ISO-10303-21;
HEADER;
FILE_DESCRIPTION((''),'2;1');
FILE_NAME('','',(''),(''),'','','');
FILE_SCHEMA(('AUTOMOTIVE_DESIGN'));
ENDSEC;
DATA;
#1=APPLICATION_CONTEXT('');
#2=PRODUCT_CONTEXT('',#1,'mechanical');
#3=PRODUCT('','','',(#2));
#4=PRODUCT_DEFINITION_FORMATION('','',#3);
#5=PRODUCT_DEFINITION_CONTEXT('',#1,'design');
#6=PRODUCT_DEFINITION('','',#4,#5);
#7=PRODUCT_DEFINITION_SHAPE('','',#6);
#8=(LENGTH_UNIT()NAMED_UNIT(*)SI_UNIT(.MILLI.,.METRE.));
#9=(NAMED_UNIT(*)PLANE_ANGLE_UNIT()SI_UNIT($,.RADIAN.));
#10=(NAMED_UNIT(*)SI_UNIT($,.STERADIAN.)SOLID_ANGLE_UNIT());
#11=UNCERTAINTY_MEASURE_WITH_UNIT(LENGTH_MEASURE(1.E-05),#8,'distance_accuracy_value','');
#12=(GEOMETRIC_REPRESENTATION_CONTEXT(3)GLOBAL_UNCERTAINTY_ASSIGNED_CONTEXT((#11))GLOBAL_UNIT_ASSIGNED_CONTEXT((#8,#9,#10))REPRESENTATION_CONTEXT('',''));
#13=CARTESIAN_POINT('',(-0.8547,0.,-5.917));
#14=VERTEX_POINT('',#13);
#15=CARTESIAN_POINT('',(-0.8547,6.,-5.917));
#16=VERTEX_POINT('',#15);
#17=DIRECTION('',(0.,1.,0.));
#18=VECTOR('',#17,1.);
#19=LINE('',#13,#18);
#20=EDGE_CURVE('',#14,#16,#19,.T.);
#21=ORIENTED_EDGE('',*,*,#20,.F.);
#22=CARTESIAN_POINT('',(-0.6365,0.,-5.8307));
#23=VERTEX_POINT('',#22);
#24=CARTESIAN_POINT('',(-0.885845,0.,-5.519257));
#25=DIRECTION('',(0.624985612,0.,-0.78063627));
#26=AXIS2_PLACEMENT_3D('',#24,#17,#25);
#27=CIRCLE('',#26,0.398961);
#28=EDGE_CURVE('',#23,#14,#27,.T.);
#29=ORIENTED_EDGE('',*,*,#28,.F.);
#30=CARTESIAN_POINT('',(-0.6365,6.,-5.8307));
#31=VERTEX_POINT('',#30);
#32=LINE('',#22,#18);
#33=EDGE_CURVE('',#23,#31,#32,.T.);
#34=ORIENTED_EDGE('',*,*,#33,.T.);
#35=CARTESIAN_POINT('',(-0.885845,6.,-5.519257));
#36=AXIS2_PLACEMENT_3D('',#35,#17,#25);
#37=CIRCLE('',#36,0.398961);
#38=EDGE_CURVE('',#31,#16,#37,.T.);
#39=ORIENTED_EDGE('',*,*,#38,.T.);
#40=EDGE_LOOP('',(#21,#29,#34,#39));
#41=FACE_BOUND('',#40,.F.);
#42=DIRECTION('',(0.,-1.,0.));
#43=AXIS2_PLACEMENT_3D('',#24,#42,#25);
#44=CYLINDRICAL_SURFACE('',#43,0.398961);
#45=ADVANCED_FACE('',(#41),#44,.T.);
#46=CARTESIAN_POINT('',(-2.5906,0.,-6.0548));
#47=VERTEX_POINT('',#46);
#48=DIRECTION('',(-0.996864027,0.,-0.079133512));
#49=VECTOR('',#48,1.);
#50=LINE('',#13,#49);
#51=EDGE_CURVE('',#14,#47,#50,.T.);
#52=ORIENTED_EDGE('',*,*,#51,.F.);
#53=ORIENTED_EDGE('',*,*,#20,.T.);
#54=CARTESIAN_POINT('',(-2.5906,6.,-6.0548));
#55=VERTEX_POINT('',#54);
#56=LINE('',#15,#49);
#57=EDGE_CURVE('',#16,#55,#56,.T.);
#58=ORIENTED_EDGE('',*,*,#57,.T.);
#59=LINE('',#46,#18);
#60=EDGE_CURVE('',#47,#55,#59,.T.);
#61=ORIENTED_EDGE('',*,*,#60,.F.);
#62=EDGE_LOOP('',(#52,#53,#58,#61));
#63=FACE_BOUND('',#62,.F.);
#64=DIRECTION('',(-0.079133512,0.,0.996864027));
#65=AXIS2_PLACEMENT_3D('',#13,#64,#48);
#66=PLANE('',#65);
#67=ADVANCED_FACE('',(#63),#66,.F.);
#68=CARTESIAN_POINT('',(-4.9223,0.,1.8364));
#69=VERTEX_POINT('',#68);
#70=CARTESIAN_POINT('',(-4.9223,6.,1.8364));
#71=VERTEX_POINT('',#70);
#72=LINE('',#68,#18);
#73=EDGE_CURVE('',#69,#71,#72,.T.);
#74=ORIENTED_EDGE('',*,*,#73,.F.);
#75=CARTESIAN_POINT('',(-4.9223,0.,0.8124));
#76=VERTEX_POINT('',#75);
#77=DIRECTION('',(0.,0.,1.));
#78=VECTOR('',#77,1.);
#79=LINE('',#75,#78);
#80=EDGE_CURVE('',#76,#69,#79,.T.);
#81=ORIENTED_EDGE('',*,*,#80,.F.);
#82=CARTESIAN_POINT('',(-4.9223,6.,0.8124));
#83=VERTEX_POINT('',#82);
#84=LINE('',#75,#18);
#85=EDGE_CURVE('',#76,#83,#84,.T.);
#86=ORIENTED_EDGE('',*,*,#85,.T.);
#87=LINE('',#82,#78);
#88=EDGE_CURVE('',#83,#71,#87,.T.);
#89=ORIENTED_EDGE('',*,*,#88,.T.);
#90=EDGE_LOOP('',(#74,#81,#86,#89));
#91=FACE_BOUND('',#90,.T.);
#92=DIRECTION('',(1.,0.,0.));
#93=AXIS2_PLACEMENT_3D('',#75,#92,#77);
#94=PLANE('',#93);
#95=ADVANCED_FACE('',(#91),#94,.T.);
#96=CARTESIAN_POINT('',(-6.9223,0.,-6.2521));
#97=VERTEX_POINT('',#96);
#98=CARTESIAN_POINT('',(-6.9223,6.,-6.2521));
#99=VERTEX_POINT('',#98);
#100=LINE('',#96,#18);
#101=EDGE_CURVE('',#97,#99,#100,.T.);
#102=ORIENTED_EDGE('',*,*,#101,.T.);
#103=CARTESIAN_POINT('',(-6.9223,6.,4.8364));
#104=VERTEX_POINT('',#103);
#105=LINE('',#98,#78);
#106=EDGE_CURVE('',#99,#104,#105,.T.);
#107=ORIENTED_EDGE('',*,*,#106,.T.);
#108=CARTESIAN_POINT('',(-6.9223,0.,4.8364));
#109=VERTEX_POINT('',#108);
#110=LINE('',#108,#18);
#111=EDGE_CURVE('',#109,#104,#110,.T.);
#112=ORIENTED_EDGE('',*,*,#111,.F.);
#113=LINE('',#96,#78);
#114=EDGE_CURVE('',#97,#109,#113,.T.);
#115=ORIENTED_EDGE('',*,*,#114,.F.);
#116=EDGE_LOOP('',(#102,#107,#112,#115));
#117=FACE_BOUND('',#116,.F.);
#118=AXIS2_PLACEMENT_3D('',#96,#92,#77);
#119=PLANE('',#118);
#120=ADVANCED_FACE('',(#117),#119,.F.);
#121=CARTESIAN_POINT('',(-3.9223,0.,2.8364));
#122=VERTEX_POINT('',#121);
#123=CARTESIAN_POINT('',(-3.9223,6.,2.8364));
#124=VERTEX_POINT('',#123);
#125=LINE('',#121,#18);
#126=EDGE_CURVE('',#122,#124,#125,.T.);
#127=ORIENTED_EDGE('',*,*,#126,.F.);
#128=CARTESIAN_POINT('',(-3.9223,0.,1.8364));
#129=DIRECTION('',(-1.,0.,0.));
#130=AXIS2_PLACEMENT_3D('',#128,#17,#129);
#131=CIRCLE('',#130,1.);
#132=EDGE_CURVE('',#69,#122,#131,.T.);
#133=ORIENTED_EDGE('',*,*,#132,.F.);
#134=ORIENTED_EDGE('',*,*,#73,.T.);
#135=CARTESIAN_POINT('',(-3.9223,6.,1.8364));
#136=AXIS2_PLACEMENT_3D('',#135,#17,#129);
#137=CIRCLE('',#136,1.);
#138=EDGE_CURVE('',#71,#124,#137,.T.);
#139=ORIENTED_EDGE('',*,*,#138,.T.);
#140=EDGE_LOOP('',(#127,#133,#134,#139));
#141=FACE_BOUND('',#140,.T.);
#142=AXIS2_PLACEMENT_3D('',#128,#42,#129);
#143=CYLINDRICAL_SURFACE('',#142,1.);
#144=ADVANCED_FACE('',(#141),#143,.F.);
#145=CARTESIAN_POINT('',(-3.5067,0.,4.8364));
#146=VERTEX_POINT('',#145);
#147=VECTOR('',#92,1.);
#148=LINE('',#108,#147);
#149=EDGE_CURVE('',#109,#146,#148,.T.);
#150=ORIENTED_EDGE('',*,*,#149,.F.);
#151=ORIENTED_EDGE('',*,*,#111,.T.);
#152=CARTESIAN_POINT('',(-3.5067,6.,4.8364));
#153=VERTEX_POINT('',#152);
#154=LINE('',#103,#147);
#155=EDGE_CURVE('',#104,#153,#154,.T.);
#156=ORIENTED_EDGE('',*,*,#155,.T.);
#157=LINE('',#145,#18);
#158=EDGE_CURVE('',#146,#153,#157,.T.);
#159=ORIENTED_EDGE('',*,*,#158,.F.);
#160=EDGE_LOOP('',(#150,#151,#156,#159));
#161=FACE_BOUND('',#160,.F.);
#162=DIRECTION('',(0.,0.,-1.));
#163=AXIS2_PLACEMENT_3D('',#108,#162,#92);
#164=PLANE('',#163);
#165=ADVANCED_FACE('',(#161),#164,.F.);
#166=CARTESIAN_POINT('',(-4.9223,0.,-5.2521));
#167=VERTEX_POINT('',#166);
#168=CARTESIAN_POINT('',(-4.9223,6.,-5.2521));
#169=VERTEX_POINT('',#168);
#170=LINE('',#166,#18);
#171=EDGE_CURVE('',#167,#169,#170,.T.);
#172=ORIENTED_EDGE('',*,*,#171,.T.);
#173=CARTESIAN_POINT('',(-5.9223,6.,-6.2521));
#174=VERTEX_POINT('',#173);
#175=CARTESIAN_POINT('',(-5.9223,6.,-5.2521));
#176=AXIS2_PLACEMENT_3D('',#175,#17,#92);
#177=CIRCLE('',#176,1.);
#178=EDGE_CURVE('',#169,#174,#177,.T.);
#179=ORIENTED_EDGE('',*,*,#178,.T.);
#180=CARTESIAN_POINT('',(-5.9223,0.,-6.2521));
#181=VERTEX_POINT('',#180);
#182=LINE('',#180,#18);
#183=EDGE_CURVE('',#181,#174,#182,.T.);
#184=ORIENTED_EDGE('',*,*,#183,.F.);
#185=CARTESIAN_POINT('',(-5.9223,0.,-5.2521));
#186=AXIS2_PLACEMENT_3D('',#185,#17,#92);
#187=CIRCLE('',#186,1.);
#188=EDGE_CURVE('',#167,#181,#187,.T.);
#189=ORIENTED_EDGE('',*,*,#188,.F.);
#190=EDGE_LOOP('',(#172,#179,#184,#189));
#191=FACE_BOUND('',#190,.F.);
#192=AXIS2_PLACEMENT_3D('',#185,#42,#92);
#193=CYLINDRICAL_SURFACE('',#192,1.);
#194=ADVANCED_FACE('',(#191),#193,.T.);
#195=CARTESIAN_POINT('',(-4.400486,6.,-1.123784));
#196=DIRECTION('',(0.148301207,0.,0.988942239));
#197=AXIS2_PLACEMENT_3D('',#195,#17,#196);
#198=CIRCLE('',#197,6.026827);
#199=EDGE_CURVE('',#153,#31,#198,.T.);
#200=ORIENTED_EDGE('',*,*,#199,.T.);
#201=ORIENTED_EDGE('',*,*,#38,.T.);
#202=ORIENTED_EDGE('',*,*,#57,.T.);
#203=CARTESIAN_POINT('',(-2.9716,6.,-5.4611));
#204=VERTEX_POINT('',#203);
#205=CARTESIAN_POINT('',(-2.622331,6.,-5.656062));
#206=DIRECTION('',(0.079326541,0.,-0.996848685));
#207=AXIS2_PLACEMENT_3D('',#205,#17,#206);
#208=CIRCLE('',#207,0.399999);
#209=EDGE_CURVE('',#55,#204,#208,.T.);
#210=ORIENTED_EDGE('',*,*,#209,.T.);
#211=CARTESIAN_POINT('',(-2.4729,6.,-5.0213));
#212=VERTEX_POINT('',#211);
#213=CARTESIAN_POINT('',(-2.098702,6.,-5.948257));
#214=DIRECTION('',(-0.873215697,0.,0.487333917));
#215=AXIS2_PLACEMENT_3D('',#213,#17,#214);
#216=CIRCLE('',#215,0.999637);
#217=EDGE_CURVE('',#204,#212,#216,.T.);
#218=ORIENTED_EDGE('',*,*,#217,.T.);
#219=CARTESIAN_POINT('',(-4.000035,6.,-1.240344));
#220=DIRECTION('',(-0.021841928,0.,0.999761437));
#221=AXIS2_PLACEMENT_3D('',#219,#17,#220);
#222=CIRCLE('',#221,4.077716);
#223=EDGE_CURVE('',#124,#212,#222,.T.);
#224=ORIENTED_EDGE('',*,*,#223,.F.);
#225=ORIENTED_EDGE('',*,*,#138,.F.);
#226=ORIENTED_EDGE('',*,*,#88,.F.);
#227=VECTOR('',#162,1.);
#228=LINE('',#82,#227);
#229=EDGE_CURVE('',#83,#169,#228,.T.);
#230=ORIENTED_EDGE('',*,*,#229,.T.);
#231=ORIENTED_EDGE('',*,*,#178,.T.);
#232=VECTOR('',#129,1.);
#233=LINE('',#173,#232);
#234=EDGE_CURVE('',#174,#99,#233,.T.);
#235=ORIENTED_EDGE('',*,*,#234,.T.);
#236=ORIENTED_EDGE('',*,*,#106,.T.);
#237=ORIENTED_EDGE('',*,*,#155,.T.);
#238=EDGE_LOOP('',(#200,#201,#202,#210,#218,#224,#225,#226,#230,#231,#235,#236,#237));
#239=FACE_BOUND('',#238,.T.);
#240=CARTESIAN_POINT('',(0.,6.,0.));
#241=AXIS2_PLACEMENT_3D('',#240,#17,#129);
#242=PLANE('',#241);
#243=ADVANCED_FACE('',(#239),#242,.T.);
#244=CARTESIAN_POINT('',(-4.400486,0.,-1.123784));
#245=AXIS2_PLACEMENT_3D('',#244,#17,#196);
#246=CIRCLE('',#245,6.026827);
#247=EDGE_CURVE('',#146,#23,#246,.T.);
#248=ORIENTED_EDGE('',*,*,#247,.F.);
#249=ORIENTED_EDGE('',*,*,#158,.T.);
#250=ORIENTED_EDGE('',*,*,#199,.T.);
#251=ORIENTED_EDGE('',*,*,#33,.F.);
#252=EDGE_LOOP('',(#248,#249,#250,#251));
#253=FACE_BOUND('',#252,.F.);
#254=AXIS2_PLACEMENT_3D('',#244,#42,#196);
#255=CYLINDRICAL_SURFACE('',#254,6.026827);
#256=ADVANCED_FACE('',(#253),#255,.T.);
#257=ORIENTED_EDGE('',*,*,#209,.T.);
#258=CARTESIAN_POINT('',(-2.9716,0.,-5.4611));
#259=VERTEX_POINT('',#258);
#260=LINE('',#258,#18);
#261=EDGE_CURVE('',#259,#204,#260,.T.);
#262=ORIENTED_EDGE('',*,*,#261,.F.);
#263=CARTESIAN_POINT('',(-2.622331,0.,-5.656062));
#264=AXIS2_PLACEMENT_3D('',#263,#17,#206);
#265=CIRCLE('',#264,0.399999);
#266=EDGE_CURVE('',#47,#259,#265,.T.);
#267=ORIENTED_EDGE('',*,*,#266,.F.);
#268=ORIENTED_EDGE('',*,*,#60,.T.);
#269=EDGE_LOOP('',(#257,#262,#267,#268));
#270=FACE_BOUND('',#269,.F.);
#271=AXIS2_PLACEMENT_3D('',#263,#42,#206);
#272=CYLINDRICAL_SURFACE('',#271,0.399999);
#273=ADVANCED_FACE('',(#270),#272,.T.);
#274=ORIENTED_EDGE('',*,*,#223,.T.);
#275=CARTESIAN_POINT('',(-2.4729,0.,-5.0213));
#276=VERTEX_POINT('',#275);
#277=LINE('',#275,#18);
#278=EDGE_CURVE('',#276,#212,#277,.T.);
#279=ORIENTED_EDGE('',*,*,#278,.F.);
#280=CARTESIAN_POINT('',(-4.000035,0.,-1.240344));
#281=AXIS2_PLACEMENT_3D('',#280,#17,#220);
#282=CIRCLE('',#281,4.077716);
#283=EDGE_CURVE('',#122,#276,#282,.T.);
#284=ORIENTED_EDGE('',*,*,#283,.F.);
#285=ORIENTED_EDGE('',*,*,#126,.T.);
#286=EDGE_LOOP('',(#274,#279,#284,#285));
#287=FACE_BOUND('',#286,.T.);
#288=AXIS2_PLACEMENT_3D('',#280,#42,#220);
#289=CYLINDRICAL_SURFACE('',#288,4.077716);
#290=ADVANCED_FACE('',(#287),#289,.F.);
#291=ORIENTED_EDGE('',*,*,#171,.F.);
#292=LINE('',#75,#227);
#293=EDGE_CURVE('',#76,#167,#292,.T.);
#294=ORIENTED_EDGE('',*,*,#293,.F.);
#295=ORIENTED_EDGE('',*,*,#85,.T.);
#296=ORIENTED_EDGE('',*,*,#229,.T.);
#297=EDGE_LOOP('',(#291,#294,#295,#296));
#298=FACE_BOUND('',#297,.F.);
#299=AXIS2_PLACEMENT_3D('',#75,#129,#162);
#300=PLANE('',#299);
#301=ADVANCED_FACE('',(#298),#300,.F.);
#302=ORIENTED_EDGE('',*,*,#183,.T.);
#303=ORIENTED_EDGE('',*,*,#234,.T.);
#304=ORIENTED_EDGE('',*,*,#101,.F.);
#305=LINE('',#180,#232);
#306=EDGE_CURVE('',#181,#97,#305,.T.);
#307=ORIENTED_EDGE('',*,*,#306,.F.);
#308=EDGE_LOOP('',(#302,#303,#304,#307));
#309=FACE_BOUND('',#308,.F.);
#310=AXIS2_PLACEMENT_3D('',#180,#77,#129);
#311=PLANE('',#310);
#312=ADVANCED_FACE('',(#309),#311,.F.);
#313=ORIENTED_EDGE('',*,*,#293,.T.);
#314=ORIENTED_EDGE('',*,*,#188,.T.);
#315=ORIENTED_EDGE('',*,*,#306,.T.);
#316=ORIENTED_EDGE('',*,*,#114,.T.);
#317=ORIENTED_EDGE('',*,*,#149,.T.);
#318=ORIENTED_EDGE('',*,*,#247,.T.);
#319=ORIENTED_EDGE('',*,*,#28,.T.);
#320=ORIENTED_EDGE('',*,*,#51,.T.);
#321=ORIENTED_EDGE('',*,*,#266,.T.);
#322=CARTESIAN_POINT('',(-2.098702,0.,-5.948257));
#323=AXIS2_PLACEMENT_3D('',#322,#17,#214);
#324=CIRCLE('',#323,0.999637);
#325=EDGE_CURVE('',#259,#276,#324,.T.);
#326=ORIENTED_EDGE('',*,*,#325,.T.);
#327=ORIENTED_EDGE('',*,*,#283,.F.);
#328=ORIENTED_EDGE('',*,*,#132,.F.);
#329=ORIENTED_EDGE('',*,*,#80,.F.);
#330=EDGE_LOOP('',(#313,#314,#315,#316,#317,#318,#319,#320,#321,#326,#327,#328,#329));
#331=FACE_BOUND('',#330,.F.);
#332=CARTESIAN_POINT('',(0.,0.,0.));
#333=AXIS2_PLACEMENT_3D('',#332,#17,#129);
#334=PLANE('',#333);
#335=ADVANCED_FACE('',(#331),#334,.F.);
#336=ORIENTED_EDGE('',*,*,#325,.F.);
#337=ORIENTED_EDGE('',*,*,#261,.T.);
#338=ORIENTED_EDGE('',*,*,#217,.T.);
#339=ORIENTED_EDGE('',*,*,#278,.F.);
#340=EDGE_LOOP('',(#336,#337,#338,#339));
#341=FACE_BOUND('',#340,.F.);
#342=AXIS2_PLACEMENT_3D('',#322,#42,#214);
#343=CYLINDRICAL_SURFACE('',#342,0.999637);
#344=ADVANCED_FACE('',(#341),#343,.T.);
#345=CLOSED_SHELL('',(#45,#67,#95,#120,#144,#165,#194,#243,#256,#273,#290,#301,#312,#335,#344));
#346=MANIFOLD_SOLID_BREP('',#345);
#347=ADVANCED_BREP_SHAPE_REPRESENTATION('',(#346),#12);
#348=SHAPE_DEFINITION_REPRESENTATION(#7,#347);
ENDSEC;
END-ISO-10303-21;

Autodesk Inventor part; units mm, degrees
ref_plane "YZ Plane" through (0, 0, 0) normal (1, 0, 0) x (0, 1, 0)
ref_plane "XZ Plane" through (0, 0, 0) normal (0, 1, 0) x (-1, 0, 0)
ref_plane "XY Plane" through (0, 0, 0) normal (0, 0, 1) x (1, 0, 0)
sketch "Sketch1" plane through (0, 0, 0) normal (0, 1, 0) x (-1, 0, 0)
  line L0 (4.9223, 0.8124) -> (4.9223, -5.2521)
  line L1 (5.9223, -6.2521) -> (6.9223, -6.2521)
  line L2 (6.9223, -6.2521) -> (6.9223, 4.8364)
  line L3 (6.9223, 4.8364) -> (3.5067, 4.8364)
  arc A0 (3.5067, 4.8364) -> (0.6365, -5.8307) centre (4.4005, -1.1238) ccw
  arc A1 (4.0891, 2.8364) -> (2.4729, -5.0213) centre (4, -1.2403) ccw
  arc A2 (2.9716, -5.4611) -> (2.4729, -5.0213) centre (2.0984, -5.9485) ccw
  arc A3 (4.9223, -5.2521) -> (5.9223, -6.2521) centre (5.9223, -5.2521) ccw
  line L4 (4.9223, 0.8124) -> (4.9223, 1.8364)
  line L5 (3.9223, 2.8364) -> (4.0891, 2.8364)
  arc A4 (4.9223, 1.8364) -> (3.9223, 2.8364) centre (3.9223, 1.8364) ccw
  line L6 (0.8547, -5.917) -> (2.5906, -6.0548)
  arc A5 (2.5906, -6.0548) -> (2.9716, -5.4611) centre (2.6223, -5.656) ccw
  arc A6 (0.6365, -5.8307) -> (0.8547, -5.917) centre (0.8864, -5.5183) ccw
  point P0 (0, 0)
  point P1 (4.9223, -6.2521)
  point P2 (2.9653, -6.9772)
  point P3 (2.8675, -5.1576)
  point P4 (3.0877, -6.0942)
  point P5 (0.7347, -5.9075)
  dimension "d1" = 2
  dimension "d5" = 1
  dimension "d7" = 5
  dimension "d8" = 1
  dimension "d9" = 2
  dimension "d10" = 1
  dimension "d13" = 0.4
  dimension "d14" = 2.3
extrude "Extrusion1" add sketch "Sketch1" along normal blind 6
properties part number "cable hook 5mm-2mm opening"
